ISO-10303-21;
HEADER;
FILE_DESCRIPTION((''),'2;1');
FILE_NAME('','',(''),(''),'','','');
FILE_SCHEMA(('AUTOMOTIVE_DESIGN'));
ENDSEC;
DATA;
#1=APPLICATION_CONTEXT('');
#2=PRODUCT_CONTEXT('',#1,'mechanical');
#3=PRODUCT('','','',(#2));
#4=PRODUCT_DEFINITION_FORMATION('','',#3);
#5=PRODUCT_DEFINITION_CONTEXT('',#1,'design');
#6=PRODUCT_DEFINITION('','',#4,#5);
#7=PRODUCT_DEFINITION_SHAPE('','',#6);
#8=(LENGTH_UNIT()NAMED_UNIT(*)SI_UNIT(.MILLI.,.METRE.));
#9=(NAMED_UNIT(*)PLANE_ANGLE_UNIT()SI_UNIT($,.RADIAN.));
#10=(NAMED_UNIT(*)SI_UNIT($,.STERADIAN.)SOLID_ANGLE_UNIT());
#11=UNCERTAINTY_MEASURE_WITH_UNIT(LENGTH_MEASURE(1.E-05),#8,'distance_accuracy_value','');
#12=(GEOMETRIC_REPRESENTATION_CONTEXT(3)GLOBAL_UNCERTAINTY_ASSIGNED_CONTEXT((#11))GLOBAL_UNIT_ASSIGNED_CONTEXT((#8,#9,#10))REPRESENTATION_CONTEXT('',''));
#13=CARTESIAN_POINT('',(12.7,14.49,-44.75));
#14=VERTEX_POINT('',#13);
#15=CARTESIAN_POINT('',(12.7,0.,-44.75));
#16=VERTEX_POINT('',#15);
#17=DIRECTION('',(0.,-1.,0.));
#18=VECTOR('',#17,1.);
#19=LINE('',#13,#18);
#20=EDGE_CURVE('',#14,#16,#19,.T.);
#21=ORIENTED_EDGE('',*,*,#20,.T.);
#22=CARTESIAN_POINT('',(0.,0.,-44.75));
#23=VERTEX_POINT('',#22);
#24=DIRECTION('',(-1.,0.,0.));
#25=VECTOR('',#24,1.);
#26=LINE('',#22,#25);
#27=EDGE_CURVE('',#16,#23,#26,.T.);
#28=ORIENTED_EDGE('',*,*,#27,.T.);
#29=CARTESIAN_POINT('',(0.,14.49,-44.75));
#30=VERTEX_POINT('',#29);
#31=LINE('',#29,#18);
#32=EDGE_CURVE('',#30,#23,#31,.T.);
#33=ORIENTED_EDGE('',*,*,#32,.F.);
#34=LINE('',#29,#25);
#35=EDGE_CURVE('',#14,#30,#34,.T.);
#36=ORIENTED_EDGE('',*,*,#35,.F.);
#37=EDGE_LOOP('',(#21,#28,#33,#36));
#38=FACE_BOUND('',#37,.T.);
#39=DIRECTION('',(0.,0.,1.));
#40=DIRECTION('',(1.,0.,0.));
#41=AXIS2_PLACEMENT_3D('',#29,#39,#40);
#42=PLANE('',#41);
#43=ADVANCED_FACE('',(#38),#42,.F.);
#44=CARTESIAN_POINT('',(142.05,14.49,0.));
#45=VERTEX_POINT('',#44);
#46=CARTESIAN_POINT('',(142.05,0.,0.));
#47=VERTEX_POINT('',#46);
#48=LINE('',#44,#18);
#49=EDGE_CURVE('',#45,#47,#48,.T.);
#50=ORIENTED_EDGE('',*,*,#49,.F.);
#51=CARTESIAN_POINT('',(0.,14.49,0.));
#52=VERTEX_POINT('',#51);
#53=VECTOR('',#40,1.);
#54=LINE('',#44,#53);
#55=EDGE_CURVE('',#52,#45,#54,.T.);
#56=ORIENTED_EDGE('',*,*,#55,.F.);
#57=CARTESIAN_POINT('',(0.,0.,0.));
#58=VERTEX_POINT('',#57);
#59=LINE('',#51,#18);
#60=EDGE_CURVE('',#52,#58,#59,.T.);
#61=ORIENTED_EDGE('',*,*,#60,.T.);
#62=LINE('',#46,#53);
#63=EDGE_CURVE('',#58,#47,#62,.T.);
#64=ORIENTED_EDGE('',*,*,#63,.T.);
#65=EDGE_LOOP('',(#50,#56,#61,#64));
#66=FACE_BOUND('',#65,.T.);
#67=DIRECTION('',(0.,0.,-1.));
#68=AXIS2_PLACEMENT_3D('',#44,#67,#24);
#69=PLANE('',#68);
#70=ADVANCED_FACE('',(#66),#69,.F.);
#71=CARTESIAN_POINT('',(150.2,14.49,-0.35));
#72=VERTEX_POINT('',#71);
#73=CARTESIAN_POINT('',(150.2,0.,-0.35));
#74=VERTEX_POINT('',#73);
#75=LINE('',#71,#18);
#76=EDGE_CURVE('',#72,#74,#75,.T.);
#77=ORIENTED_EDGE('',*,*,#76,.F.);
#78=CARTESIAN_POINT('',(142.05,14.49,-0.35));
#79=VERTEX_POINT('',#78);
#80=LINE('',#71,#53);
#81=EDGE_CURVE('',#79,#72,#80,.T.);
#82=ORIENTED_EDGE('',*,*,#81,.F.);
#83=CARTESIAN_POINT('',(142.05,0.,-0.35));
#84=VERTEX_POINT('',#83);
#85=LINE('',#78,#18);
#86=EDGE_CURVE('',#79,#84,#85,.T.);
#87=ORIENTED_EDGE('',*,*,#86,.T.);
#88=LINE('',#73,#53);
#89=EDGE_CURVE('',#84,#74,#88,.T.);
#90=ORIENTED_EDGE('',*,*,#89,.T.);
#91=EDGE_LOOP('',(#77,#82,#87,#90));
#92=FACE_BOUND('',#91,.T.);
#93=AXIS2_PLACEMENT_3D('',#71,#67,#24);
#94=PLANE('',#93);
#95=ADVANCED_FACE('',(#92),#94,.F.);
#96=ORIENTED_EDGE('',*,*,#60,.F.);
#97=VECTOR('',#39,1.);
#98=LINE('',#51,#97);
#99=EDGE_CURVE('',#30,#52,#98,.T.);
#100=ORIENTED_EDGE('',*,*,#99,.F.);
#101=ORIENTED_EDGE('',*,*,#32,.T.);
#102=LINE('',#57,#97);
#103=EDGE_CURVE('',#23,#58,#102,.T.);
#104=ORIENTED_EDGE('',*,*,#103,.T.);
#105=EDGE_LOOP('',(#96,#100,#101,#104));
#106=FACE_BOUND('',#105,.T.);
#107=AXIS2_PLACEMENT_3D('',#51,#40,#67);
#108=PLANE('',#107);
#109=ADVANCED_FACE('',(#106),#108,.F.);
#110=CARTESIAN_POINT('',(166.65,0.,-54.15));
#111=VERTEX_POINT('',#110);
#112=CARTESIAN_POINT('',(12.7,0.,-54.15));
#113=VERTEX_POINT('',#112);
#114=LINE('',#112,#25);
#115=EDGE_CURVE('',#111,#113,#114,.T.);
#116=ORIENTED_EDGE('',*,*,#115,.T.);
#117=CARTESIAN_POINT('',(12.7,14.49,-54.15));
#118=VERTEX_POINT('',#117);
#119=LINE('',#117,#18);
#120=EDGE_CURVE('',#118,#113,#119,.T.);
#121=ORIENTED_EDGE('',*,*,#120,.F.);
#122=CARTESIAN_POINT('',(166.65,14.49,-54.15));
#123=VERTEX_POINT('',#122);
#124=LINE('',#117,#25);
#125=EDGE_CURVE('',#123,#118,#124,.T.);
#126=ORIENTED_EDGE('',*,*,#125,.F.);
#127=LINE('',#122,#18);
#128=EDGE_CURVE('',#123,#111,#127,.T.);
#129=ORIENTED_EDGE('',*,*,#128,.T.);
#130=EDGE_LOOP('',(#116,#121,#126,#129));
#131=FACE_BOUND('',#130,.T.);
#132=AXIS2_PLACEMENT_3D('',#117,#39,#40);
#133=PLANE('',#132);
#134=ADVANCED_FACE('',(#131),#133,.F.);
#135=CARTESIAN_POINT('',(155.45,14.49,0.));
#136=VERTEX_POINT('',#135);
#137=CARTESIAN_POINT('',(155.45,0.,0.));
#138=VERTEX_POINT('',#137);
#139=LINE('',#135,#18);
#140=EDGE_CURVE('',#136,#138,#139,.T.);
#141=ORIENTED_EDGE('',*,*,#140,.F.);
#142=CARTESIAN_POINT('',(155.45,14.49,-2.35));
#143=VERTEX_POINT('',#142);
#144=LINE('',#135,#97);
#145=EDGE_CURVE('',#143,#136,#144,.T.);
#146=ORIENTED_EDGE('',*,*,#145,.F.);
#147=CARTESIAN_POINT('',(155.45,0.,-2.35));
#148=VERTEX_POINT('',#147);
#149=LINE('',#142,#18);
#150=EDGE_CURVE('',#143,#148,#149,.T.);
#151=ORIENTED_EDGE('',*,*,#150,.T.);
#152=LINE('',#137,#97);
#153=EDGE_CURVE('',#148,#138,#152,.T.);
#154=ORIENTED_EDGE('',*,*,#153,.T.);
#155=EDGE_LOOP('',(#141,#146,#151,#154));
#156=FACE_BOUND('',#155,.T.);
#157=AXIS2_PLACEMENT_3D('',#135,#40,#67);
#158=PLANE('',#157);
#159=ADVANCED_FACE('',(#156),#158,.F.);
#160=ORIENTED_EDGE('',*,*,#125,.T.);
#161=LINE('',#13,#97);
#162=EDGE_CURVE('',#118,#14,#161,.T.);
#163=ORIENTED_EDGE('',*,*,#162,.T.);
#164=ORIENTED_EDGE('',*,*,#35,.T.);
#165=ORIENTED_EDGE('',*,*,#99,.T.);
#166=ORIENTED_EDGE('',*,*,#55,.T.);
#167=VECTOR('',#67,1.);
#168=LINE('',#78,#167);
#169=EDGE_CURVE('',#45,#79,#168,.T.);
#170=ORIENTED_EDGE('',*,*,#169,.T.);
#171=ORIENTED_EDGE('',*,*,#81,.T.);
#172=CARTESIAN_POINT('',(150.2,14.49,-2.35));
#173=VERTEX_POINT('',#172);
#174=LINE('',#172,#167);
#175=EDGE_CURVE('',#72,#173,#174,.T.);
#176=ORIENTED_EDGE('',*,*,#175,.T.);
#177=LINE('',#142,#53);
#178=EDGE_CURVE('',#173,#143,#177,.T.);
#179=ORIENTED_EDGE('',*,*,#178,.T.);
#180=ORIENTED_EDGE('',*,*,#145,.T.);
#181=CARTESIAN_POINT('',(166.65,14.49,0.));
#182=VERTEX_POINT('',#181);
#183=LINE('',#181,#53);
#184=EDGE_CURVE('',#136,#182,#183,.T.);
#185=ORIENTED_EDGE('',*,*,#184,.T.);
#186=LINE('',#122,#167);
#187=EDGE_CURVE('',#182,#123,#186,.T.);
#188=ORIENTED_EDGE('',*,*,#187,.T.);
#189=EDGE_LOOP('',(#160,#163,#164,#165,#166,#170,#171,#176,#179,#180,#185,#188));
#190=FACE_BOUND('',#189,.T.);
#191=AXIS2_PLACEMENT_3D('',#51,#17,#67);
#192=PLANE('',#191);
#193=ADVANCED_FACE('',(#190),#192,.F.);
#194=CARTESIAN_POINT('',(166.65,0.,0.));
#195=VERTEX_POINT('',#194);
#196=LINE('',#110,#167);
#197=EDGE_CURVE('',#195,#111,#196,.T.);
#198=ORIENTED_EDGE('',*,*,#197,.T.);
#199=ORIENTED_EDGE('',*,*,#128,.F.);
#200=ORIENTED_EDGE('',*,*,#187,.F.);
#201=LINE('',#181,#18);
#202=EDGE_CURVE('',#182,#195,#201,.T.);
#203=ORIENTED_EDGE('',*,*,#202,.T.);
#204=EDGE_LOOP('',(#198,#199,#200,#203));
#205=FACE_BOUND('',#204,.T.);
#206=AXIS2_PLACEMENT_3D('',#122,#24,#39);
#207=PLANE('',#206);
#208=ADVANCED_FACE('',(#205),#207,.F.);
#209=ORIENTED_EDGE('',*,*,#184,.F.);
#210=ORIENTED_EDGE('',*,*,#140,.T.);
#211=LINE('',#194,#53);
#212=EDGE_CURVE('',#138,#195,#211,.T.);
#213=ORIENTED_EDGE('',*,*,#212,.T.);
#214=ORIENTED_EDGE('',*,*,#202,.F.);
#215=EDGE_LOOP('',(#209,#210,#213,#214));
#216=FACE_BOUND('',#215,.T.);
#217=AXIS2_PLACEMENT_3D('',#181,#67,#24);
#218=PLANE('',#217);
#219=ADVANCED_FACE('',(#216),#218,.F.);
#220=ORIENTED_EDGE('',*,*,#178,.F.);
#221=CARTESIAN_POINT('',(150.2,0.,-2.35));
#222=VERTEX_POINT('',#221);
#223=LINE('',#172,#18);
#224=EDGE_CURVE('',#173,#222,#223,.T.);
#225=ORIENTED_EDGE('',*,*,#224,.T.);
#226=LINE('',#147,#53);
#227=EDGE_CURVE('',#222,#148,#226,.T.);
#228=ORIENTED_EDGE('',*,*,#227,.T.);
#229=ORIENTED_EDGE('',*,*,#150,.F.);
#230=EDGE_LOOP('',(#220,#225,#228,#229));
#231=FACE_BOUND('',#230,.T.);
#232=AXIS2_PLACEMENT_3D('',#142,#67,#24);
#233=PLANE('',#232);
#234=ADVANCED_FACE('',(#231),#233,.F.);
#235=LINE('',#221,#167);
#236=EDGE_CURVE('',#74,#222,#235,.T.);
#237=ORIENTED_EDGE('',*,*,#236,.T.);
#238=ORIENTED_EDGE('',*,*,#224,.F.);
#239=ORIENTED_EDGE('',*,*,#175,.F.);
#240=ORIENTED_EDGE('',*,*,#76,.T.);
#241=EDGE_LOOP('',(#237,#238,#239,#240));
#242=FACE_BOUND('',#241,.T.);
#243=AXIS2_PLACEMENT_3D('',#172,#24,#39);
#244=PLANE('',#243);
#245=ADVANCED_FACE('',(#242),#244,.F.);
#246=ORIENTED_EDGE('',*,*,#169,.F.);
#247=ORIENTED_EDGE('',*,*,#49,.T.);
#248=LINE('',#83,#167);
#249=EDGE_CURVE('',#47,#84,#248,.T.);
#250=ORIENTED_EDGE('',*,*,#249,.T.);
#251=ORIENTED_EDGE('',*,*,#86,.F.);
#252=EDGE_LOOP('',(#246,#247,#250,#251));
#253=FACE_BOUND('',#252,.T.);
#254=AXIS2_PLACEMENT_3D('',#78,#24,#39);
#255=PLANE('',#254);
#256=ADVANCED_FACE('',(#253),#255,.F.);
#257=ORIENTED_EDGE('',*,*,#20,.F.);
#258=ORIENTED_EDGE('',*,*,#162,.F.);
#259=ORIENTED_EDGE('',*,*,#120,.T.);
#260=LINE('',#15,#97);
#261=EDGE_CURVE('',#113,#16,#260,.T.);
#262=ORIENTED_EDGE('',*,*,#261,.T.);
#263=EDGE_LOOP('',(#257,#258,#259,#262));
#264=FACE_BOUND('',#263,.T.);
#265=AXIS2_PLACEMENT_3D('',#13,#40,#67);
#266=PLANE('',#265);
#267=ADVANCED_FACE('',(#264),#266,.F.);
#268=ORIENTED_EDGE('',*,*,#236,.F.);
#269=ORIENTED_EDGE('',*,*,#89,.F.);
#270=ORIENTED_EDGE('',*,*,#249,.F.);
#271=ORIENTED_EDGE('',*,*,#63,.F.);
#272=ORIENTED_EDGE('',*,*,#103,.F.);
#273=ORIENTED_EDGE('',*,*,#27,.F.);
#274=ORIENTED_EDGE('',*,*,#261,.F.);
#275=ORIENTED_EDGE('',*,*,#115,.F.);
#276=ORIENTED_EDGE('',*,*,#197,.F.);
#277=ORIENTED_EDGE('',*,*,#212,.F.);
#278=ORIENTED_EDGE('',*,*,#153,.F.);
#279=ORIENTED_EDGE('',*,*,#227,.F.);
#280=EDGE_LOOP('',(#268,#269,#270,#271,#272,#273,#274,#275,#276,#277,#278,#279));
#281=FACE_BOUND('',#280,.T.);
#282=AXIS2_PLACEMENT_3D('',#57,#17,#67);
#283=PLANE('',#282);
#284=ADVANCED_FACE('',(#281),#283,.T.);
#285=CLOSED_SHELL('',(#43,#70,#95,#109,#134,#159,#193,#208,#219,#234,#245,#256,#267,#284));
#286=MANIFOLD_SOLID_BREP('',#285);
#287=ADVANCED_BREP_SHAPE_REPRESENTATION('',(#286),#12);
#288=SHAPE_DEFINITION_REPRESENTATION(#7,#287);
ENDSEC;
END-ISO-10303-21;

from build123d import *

# Parameters (mm, degrees)
BOSS_EXTRUDE1_DEPTH = 14.49


with BuildPart() as part:
    # Sketch1 → Boss-Extrude1 (new body)
    with BuildSketch(Plane(origin=(0, 0, 0), x_dir=(1, 0, 0), z_dir=(0, 1, 0))):
        Polygon((0, 0), (0, 44.75), (12.7, 44.75), (12.7, 54.15), (166.65, 54.15), (166.65, 0), (155.45, 0), (155.45, 2.35), (150.2, 2.35), (150.2, 0.35), (142.05, 0.35), (142.05, 0), align=None)
    extrude(amount=BOSS_EXTRUDE1_DEPTH)


solid = part.part
